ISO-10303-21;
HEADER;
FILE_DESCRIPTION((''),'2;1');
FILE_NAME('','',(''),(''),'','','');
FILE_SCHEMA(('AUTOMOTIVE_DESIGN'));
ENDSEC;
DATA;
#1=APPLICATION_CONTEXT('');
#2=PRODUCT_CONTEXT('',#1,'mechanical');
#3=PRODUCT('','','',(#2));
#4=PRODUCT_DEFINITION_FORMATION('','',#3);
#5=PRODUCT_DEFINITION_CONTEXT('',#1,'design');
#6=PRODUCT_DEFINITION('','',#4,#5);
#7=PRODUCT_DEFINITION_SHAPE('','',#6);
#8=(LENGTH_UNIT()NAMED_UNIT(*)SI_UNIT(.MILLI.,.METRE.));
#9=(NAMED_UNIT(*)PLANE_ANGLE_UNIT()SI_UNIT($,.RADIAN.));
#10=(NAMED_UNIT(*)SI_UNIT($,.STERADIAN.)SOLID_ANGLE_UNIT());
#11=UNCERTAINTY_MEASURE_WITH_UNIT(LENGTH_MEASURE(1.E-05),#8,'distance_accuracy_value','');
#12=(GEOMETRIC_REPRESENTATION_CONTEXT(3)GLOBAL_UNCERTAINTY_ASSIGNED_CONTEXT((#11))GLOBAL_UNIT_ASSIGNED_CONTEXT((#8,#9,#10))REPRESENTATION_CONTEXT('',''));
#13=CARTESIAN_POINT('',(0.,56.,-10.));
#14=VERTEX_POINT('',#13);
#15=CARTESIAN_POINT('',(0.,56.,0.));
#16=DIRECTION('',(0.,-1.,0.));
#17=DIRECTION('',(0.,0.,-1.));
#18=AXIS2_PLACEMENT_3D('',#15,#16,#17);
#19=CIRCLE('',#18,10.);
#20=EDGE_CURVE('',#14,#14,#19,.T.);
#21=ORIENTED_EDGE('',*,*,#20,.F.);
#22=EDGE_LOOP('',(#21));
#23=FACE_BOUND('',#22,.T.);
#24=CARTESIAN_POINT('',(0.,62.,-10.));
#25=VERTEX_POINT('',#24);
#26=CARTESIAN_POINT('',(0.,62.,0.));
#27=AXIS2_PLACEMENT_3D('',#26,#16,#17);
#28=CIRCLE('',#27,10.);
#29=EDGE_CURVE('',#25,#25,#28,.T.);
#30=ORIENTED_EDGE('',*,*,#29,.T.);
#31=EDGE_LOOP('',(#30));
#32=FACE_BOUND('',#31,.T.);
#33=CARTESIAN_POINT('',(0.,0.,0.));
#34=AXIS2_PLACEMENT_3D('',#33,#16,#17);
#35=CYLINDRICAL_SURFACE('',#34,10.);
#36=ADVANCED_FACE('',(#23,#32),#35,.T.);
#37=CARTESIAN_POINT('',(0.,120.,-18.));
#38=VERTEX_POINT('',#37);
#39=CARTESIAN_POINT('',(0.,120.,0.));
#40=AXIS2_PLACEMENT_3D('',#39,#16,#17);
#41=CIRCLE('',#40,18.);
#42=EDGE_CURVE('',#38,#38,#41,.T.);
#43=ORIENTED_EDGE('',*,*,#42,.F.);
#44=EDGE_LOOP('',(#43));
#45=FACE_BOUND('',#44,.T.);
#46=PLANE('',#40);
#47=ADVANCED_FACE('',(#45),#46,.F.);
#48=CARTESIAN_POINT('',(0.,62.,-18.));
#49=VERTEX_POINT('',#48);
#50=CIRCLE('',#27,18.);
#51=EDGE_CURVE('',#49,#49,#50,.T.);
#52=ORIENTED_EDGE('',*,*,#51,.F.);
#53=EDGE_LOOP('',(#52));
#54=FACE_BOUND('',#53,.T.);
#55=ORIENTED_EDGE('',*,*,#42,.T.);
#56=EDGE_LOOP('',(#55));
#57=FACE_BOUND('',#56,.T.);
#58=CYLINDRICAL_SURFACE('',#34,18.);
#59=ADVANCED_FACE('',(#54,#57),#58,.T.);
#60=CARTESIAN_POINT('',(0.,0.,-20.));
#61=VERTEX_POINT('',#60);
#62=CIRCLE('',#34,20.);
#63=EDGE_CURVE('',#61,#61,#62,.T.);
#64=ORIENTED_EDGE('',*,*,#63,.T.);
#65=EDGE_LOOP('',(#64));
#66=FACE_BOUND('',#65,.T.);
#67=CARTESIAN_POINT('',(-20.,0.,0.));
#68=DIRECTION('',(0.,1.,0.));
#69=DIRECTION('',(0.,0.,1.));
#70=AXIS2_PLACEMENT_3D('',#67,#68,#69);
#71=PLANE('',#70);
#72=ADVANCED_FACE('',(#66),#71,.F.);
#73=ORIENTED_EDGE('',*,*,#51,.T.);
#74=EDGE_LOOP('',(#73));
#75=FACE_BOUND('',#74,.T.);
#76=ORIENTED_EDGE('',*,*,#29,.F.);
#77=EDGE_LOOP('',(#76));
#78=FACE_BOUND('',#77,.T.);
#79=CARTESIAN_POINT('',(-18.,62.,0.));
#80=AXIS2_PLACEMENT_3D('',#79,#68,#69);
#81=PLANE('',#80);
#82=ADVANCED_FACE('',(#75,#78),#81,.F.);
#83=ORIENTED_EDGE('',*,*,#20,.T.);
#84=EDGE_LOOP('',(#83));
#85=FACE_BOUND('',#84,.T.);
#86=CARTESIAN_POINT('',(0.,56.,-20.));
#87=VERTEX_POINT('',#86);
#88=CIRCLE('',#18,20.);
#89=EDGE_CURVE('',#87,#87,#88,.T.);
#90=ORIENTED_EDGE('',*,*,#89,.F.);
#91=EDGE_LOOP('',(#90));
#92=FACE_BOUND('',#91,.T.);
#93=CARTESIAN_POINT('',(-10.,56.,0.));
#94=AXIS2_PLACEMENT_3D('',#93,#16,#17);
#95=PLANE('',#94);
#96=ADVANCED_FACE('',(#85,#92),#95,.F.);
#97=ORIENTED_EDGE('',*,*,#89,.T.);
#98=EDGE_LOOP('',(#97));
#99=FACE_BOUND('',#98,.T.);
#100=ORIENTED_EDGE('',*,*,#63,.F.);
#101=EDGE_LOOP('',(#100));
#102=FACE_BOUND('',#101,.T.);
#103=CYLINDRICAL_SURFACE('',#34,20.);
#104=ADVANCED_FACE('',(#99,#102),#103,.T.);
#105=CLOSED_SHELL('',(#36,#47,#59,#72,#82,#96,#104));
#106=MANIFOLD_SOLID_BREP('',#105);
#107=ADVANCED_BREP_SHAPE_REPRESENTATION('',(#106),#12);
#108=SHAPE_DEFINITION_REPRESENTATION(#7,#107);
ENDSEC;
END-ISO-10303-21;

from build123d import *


with BuildPart() as part:
    # 草图1 → 旋转2 (revolve)
    with BuildSketch(Plane.XY, mode=Mode.PRIVATE) as revolve_2_sk:
        Polygon((0, 0), (0, 120), (-18, 120), (-18, 62), (-10, 62), (-10, 56), (-20, 56), (-20, 0), align=None)
    revolve(revolve_2_sk.sketch.rotate(Axis((0, 0, 0), (0, 1, 0)), 270), axis=Axis((0, 0, 0), (0, 1, 0)))


solid = part.part
